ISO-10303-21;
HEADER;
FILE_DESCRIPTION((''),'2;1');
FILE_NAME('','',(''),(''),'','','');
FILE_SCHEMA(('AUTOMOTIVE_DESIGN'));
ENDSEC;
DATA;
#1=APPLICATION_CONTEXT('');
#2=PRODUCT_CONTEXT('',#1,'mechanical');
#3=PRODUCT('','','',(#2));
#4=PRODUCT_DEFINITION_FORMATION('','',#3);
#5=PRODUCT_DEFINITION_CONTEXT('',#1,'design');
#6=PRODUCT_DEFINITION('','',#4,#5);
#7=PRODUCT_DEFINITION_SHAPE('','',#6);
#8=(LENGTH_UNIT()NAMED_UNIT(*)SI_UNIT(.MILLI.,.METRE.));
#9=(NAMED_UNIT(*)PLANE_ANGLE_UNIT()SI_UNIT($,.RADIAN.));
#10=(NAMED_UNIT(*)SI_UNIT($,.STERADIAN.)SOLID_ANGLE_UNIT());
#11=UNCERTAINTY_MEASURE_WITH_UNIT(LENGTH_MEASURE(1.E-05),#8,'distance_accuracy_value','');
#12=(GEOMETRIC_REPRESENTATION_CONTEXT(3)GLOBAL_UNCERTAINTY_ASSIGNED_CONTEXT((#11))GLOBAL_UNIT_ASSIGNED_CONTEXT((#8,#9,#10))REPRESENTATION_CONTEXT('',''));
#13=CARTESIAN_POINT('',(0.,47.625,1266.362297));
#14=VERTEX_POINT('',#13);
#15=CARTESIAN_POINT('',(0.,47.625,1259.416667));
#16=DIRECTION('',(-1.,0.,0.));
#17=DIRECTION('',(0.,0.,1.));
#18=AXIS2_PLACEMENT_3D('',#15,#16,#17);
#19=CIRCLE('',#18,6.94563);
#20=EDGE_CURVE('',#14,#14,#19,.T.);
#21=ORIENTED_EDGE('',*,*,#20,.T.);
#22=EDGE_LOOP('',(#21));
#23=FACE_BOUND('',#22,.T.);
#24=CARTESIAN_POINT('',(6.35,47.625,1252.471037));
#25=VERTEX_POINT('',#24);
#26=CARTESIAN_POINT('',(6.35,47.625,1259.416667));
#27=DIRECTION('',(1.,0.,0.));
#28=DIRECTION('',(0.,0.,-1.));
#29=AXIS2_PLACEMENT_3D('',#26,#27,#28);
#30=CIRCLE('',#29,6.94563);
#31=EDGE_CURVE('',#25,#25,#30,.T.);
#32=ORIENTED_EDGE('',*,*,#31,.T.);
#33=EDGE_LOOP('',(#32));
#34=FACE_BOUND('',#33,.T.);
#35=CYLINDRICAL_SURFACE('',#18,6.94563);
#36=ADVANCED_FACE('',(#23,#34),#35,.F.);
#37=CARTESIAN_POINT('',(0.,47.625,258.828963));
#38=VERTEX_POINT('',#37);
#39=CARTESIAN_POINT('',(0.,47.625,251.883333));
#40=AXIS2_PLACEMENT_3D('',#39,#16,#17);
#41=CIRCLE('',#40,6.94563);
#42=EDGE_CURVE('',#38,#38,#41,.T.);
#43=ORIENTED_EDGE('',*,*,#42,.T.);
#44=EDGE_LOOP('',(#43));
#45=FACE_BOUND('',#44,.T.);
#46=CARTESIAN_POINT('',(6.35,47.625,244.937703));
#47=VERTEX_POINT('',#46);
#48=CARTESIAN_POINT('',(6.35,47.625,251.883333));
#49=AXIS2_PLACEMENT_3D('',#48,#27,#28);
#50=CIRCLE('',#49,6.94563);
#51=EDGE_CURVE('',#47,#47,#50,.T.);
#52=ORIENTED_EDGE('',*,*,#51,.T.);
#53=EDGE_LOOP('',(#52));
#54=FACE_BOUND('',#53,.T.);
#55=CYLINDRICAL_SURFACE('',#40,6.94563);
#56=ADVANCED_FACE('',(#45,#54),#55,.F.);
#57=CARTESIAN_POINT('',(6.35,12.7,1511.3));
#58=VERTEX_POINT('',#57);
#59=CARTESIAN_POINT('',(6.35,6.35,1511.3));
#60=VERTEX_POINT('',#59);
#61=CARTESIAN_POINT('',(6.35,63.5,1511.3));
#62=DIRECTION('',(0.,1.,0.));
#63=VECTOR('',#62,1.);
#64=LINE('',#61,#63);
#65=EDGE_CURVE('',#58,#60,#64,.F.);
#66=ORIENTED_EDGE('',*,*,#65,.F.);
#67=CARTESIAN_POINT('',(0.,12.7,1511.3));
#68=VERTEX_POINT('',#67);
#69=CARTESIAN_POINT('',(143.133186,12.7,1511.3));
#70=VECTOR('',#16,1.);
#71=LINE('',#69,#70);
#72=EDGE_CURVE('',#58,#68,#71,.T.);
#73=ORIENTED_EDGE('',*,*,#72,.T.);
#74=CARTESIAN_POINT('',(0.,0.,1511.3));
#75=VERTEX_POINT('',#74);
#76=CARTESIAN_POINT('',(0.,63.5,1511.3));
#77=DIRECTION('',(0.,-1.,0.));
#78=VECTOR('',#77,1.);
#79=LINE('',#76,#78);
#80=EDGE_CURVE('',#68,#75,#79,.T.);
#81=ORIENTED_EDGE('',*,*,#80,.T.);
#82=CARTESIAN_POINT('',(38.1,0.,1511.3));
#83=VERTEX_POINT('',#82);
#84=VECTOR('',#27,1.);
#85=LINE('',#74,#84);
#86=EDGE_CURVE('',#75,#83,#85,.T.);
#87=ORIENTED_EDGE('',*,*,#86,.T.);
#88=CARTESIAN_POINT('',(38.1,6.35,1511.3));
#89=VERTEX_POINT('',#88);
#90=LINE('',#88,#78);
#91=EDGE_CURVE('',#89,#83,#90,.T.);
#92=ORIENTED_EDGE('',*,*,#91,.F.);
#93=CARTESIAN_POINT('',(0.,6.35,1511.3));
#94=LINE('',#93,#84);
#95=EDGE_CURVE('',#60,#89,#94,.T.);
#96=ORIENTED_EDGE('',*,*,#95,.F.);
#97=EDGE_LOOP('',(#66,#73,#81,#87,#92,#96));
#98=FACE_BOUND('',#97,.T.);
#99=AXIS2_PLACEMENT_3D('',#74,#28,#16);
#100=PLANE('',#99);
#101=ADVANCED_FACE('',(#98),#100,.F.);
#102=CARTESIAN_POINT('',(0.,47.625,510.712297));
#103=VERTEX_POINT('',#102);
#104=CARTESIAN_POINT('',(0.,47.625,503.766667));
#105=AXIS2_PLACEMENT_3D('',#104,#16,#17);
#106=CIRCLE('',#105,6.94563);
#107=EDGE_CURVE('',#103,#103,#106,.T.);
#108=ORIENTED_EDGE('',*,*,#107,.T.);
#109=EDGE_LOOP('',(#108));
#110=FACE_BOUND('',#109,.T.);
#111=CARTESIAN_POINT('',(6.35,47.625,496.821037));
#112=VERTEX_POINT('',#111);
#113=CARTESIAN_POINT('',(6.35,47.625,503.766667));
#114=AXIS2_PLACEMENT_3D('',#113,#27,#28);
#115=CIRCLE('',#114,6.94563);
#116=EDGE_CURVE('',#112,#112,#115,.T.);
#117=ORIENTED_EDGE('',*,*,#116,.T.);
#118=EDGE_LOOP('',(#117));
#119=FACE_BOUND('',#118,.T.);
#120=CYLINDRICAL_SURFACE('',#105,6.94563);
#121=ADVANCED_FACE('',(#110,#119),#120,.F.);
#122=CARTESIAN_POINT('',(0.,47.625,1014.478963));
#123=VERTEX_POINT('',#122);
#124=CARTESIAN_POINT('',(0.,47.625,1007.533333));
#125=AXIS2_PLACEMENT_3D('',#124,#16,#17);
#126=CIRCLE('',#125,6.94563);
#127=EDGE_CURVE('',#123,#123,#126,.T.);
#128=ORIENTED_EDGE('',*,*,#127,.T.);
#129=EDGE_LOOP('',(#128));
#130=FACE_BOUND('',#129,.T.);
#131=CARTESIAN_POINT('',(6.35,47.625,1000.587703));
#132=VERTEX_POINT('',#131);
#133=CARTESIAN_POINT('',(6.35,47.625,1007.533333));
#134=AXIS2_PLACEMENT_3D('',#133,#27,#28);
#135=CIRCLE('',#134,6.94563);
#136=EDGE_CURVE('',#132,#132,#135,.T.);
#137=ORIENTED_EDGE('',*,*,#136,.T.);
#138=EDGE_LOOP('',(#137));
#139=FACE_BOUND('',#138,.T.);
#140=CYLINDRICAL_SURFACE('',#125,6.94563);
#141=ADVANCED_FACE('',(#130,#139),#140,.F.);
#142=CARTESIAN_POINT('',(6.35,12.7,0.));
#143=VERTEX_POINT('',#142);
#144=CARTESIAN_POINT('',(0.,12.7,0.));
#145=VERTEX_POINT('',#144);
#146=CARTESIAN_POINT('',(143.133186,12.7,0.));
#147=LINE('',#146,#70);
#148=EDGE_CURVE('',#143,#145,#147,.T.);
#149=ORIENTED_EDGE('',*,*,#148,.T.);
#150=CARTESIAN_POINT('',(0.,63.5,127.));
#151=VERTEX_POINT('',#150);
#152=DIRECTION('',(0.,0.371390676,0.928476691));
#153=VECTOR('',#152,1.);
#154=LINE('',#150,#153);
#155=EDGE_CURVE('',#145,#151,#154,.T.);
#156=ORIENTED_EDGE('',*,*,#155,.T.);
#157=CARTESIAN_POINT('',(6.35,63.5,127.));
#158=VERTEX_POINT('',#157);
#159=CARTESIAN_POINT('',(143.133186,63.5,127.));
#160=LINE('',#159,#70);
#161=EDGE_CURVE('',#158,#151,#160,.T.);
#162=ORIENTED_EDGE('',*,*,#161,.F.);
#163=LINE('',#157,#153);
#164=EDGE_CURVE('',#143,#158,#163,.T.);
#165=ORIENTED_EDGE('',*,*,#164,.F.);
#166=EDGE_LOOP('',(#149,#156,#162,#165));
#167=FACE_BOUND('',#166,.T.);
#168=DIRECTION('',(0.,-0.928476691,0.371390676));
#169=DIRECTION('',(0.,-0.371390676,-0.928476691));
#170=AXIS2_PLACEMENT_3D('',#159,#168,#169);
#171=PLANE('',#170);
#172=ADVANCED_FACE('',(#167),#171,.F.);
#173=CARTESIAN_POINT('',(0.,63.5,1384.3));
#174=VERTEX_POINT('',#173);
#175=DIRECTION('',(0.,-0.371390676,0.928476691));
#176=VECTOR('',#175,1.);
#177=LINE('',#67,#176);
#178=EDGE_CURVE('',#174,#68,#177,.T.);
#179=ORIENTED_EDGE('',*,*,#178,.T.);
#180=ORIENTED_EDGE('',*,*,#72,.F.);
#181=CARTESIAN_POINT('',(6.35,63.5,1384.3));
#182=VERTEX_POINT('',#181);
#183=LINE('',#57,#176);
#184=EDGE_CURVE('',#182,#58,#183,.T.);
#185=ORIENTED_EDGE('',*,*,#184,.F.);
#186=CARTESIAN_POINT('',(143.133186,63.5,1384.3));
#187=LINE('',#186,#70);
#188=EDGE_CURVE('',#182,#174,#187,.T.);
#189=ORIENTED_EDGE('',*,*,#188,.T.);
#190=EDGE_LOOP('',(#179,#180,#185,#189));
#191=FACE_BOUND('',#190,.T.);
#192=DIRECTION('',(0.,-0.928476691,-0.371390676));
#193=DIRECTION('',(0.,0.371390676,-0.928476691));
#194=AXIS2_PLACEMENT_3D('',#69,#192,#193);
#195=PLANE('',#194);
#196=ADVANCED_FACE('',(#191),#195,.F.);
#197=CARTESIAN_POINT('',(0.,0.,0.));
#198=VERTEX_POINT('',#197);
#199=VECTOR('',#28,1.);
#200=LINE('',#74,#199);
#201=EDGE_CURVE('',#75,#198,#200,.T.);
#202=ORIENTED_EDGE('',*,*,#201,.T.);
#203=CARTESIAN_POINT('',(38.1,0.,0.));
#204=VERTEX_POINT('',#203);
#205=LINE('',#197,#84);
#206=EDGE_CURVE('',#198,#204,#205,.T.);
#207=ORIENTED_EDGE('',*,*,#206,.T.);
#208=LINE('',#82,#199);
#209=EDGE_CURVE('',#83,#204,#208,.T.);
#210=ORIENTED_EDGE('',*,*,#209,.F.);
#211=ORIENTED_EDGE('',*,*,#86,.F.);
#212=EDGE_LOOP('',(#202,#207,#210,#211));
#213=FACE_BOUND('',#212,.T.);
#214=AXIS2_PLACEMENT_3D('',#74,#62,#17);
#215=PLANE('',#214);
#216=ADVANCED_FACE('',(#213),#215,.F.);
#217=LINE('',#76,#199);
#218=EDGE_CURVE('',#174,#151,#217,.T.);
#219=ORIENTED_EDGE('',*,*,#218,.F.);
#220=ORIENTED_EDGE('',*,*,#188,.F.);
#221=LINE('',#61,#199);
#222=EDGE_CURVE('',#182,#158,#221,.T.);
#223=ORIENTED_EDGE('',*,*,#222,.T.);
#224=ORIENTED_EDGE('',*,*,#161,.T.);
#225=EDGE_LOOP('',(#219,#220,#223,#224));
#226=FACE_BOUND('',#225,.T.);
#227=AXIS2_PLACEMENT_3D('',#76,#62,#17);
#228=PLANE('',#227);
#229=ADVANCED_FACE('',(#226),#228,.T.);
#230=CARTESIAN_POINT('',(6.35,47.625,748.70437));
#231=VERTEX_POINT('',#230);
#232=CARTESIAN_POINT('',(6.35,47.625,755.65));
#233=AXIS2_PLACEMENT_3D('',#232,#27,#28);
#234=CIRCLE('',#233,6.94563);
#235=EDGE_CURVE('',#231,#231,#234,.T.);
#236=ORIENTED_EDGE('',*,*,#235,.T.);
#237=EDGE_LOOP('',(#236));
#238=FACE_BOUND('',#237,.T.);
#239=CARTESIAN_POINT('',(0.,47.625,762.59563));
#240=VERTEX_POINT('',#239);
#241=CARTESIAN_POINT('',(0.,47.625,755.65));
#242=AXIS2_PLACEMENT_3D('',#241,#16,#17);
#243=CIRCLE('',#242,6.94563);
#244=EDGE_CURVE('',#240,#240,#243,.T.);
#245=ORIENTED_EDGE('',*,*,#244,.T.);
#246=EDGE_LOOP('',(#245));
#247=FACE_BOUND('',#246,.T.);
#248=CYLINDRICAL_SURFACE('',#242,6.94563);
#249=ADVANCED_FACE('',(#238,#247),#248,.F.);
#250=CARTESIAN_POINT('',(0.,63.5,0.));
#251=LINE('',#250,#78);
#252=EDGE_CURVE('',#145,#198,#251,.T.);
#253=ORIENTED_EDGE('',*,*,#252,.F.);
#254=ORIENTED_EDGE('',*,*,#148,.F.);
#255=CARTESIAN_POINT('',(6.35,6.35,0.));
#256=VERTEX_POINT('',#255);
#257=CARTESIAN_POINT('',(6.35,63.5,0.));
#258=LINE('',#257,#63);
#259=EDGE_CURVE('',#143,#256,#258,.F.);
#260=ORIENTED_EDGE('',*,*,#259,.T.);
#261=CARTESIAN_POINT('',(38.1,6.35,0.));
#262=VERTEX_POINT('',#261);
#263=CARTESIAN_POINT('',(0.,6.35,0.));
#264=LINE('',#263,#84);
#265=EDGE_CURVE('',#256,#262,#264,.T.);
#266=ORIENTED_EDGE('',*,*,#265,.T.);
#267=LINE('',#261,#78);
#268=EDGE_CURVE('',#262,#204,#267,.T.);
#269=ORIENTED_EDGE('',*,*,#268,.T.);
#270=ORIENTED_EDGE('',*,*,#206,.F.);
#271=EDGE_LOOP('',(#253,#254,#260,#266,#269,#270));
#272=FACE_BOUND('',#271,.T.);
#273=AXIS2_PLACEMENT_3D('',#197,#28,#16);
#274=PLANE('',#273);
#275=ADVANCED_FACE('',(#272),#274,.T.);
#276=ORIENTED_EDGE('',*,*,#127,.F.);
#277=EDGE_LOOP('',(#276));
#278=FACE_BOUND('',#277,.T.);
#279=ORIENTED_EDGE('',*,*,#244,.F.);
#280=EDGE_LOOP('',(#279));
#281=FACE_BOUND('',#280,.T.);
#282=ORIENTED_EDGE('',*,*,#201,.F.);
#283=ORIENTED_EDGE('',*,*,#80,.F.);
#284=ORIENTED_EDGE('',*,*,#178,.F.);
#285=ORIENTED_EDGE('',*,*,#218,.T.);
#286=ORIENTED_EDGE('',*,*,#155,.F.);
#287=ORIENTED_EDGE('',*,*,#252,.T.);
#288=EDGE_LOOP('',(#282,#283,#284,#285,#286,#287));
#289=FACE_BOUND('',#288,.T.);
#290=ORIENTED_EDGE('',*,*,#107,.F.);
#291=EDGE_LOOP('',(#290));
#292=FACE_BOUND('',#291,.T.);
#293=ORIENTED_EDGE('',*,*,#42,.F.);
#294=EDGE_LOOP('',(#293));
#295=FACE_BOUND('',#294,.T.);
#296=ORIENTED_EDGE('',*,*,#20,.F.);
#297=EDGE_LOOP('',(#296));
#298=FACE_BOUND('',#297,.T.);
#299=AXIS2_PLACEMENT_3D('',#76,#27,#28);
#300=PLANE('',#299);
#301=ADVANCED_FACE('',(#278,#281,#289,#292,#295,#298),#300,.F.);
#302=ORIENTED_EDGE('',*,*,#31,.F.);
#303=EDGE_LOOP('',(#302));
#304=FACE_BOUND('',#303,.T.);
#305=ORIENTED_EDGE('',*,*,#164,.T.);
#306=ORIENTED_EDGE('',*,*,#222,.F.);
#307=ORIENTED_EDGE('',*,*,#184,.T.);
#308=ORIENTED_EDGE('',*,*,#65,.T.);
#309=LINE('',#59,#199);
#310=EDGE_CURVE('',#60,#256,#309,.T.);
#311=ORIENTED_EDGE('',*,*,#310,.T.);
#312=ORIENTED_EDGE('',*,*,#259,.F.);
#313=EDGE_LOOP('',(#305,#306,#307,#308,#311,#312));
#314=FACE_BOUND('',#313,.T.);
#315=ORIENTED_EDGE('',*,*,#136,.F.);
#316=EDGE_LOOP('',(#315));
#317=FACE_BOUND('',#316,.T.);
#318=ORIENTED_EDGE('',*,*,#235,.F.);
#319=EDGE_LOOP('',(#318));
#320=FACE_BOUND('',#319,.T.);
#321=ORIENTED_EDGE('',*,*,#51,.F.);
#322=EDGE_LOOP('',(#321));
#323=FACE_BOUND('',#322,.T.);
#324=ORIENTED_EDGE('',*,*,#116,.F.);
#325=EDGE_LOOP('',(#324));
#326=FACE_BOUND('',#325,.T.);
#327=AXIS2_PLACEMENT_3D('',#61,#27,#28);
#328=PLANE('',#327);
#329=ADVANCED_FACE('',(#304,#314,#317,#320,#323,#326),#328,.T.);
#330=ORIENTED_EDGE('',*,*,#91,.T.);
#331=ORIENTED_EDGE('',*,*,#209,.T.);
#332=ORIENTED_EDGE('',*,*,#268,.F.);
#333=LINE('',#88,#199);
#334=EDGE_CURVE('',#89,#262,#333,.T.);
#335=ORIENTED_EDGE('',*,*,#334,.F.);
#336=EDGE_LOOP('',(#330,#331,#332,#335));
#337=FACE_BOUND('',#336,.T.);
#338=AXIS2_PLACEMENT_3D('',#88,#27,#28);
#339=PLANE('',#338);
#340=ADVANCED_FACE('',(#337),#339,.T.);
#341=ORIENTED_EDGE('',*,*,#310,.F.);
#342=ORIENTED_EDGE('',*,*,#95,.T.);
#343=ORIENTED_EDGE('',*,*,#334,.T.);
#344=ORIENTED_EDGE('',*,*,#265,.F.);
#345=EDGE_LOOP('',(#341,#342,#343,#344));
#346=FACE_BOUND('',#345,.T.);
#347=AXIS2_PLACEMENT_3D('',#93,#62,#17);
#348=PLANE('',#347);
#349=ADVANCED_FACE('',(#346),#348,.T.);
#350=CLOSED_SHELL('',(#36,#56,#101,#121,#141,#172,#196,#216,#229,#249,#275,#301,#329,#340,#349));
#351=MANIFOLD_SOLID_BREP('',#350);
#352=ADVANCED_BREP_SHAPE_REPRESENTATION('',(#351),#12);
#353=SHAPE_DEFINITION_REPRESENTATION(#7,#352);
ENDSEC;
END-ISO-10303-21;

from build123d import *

# Parameters (mm, degrees)
EXTRUDE_THIN1_DEPTH         = 1511.3
F_1_2_CLEARANCE_HOLE1_D     = 13.89126
F_1_2_CLEARANCE_HOLE1_DEPTH = 16.51
F_1_2_CLEARANCE_HOLE1_TIP   = 4.173355541
CUT_EXTRUDE1_DEPTH          = 6.35


with BuildPart() as part:
    # Sketch1 → Extrude-Thin1 (new body)
    with BuildSketch(Plane.XY):
        Polygon((0, 63.5), (0, 0), (38.1, 0), (38.1, 6.35), (6.35, 6.35), (6.35, 63.5), align=None)
    extrude(amount=EXTRUDE_THIN1_DEPTH)

    # 1/2 Clearance Hole1
    with Locations(Plane.ZY):
        with Locations((1259.416666667, 47.625), (1007.533333333, 47.625), (755.65, 47.625), (503.766666667, 47.625), (251.883333333, 47.625)):
            Hole(F_1_2_CLEARANCE_HOLE1_D / 2, depth=F_1_2_CLEARANCE_HOLE1_DEPTH)
            with Locations((0, 0, -(F_1_2_CLEARANCE_HOLE1_DEPTH + F_1_2_CLEARANCE_HOLE1_TIP / 2))):  # 118° drill point
                Cone(0, F_1_2_CLEARANCE_HOLE1_D / 2, F_1_2_CLEARANCE_HOLE1_TIP, mode=Mode.SUBTRACT)

    # Sketch4 → Cut-Extrude1 (cut)
    with BuildSketch(Plane.ZY):
        Polygon((1511.3, 12.7), (1384.3, 63.5), (1511.3, 63.5), align=None)
        Polygon((127, 63.5), (0, 12.7), (0, 63.5), align=None)
    extrude(amount=-CUT_EXTRUDE1_DEPTH, mode=Mode.SUBTRACT)


solid = part.part
